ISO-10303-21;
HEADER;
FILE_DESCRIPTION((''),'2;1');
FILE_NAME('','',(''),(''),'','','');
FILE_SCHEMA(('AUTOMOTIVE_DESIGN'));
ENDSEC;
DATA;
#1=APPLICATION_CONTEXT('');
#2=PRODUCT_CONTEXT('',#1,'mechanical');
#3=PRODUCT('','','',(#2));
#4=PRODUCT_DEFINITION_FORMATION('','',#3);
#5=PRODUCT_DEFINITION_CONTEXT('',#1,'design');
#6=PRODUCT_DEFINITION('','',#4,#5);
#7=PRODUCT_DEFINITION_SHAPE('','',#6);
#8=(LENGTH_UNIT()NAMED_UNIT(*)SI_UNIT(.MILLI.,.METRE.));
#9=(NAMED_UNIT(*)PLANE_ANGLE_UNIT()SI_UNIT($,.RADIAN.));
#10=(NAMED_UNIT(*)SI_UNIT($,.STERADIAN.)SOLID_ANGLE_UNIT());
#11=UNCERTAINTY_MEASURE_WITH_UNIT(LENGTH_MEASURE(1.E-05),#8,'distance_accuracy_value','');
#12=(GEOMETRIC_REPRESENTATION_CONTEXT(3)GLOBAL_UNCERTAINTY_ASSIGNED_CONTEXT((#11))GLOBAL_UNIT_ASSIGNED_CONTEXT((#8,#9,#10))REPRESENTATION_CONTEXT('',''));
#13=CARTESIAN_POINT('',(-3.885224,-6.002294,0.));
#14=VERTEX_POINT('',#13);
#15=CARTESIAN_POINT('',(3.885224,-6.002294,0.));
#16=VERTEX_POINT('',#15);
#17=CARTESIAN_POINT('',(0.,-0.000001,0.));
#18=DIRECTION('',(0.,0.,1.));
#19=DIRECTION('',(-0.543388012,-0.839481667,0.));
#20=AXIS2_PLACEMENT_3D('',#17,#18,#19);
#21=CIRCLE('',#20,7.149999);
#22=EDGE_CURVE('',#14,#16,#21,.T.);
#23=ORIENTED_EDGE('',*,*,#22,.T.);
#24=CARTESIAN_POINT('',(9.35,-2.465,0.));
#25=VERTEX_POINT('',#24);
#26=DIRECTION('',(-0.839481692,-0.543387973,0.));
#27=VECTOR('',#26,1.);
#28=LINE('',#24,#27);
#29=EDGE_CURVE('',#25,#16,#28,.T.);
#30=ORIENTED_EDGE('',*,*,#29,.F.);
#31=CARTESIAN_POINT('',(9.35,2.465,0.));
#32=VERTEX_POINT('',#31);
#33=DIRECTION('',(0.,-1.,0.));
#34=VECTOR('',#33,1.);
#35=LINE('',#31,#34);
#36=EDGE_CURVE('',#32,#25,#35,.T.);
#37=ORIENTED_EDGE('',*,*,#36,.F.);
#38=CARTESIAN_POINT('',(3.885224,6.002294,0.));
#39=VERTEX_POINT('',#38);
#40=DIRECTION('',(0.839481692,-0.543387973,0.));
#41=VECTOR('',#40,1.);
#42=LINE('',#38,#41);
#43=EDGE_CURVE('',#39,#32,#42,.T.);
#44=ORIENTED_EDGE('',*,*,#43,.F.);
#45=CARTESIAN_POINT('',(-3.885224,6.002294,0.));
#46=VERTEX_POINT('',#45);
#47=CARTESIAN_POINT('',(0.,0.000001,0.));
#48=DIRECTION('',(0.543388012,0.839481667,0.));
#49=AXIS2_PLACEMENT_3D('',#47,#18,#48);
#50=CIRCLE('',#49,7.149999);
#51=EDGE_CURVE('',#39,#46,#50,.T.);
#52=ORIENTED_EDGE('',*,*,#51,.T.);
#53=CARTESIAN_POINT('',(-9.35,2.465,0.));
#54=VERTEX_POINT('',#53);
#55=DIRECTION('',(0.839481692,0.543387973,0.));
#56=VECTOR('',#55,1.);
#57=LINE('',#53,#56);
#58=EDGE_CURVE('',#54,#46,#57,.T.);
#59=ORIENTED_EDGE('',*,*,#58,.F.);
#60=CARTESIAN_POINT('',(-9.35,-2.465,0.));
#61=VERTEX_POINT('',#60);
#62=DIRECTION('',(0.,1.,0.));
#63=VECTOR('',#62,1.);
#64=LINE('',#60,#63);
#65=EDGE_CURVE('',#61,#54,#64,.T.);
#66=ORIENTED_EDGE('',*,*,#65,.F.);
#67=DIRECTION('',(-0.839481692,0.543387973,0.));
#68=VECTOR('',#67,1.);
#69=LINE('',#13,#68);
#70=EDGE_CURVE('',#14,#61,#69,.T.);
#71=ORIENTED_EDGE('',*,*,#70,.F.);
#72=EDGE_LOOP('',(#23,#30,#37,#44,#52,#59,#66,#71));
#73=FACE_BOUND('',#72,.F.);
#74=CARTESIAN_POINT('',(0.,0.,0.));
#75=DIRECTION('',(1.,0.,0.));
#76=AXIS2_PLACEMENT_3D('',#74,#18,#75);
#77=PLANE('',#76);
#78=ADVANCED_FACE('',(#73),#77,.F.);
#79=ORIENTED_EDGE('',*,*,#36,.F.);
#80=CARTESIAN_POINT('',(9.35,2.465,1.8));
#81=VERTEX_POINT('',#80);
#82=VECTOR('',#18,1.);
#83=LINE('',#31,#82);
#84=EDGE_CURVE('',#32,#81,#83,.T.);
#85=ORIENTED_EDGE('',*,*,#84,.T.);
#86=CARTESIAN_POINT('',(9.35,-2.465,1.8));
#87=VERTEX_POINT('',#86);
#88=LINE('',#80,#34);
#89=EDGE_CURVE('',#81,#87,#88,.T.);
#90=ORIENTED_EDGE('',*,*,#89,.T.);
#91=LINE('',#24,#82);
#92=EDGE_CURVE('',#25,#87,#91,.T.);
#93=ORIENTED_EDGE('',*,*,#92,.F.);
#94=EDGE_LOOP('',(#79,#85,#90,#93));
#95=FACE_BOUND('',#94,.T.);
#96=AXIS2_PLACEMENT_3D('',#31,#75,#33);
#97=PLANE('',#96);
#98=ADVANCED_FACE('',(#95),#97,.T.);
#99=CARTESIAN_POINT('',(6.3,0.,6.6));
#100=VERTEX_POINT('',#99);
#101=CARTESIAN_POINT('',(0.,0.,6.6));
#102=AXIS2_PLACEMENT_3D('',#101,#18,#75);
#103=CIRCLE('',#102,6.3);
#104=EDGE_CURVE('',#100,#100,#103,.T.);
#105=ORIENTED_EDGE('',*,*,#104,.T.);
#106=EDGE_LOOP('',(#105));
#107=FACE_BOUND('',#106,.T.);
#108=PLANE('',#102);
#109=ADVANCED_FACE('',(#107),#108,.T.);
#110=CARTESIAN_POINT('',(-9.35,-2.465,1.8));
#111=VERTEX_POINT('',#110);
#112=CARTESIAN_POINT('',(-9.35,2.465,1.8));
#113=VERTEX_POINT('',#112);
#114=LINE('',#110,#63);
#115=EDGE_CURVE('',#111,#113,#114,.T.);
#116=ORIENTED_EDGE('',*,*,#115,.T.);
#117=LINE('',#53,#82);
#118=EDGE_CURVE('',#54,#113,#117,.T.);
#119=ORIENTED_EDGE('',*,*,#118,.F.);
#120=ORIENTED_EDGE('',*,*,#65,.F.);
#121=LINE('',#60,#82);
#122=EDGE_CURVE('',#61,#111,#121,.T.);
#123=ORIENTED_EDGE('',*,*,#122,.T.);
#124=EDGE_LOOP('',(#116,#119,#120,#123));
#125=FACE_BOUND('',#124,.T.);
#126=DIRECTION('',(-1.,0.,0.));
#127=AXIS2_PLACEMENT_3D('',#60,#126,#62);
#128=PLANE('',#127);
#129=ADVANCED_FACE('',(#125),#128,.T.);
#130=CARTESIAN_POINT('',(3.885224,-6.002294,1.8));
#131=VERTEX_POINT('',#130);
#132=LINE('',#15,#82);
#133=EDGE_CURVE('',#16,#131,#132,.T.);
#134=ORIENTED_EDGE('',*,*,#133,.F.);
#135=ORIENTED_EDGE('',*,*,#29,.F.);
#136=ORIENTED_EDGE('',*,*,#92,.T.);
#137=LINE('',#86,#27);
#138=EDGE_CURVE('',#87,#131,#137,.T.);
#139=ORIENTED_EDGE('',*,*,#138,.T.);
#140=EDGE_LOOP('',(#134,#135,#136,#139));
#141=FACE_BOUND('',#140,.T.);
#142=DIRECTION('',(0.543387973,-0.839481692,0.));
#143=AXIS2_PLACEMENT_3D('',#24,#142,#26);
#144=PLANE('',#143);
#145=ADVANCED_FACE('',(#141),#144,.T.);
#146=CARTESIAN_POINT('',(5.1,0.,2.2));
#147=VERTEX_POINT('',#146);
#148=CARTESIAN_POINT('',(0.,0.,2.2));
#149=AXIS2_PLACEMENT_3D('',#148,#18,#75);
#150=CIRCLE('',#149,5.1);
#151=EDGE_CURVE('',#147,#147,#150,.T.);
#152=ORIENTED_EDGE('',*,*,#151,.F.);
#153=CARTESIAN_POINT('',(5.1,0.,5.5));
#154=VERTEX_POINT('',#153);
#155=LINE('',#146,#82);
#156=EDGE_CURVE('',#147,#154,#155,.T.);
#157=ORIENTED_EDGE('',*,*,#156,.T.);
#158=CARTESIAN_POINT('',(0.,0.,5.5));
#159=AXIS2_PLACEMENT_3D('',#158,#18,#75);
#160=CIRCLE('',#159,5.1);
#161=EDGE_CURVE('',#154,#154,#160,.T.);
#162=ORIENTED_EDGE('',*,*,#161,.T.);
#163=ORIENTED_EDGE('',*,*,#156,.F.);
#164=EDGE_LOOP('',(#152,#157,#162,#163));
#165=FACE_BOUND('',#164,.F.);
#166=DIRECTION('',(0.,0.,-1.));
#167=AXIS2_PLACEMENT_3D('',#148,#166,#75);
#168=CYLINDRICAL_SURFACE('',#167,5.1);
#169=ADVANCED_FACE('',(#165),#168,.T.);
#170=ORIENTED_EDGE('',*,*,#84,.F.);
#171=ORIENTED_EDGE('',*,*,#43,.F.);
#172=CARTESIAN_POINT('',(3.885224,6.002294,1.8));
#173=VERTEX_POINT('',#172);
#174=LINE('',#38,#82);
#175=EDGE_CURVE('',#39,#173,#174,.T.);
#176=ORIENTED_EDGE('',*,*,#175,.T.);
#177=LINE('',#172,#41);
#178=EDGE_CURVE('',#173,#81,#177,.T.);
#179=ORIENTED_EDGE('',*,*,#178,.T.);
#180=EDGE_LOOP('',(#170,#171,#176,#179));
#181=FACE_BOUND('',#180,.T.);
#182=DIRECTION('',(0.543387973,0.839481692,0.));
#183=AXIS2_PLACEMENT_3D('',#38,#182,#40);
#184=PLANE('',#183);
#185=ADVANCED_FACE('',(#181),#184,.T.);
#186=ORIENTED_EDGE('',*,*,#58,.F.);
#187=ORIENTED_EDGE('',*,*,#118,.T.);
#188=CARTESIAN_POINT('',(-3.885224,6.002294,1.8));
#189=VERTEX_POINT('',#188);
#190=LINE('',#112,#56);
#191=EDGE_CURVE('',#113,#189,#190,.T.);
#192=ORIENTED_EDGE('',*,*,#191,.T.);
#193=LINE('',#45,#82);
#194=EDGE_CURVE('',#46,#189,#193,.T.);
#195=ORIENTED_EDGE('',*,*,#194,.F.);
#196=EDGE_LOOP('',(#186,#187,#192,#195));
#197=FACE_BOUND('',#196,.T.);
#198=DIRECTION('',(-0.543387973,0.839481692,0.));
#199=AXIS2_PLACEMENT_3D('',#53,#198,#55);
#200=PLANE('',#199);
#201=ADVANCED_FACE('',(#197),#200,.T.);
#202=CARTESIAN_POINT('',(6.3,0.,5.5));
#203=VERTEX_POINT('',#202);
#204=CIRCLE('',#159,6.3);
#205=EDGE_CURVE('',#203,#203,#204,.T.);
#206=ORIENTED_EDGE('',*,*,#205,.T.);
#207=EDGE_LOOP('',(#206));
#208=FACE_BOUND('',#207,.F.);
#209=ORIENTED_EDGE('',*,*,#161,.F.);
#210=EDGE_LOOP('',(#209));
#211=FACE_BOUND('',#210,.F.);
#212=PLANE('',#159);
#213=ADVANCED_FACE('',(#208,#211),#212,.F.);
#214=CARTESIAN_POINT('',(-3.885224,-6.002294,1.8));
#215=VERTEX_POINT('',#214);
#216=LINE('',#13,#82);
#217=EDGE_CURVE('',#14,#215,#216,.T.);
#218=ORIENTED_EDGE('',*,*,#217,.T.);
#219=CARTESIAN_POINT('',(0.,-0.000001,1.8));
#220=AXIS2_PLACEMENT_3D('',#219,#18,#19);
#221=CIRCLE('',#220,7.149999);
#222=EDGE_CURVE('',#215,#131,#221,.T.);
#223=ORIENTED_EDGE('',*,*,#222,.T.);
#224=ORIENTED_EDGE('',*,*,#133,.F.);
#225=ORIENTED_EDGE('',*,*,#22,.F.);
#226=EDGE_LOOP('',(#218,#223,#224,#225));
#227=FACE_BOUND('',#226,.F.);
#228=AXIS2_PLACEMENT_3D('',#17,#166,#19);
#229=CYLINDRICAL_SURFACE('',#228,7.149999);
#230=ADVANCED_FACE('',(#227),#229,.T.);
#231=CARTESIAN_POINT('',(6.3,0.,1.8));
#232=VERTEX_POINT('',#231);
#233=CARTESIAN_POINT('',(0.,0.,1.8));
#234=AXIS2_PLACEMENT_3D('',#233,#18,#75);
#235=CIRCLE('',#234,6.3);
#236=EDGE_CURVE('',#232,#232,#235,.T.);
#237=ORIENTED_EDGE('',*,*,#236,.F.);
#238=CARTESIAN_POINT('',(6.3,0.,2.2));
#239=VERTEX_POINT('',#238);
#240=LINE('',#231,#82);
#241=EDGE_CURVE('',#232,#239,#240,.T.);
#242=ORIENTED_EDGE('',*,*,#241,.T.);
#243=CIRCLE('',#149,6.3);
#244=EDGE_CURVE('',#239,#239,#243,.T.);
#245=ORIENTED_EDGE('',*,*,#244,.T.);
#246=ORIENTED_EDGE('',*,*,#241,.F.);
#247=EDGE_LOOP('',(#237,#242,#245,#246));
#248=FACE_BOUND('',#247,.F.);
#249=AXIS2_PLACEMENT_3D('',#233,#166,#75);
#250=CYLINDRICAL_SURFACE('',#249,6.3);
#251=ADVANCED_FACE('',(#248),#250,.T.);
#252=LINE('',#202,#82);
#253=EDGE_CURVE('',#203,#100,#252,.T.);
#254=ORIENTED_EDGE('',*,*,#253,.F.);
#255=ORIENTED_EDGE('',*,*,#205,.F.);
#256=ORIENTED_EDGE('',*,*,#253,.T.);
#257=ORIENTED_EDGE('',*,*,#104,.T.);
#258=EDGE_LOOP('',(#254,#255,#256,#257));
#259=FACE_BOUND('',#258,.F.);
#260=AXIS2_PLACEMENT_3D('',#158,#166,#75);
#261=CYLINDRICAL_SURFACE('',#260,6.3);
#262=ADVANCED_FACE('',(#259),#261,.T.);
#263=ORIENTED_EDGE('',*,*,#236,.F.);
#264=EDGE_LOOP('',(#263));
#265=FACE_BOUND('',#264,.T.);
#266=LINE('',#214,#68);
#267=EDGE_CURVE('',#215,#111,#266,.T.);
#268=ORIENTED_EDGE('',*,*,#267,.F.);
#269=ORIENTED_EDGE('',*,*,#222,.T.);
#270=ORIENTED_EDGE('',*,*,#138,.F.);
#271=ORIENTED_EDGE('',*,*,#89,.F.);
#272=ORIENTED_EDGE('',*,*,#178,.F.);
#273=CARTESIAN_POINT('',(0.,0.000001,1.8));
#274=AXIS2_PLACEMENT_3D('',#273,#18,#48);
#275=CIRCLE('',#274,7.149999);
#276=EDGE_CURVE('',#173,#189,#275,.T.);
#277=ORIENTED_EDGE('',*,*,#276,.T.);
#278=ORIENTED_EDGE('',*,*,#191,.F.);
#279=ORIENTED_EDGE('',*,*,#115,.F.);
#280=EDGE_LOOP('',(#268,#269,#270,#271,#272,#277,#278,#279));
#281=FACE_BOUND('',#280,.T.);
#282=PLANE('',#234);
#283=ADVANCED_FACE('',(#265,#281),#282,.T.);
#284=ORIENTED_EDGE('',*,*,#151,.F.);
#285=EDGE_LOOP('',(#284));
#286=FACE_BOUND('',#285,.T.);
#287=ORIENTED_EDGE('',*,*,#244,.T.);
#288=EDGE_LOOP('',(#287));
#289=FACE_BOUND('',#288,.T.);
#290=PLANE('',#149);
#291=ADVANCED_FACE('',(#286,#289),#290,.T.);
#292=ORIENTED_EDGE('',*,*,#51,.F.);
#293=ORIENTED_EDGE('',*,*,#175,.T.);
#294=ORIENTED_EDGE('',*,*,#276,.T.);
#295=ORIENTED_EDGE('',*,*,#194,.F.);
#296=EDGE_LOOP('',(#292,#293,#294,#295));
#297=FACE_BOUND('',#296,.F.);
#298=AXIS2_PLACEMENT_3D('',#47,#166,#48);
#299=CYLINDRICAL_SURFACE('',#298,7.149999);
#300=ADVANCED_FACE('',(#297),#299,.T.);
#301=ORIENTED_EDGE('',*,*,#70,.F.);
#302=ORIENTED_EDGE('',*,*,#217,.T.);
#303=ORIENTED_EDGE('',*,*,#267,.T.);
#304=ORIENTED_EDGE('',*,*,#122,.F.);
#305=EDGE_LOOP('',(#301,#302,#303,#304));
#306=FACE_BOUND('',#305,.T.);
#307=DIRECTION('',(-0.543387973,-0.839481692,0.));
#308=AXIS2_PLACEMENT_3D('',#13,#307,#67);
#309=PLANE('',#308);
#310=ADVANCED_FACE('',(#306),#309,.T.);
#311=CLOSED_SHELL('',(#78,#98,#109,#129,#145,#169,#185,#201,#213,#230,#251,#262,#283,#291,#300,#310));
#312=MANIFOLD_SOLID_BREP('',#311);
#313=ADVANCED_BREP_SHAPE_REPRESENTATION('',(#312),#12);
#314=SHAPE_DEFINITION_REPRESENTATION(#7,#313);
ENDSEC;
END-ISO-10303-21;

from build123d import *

# Parameters (mm, degrees)
PAD_DEPTH    = 1.8
SKETCH001_R  = 6.3
PAD001_DEPTH = 0.4
SKETCH002_R  = 5.1
PAD002_DEPTH = 3.3
SKETCH003_R  = 6.3
PAD003_DEPTH = 1.1


with BuildPart() as part:
    # Sketch → Pad (new body)
    with BuildSketch(Plane.XY):
        with BuildLine():
            ThreePointArc((3.885224, 6.002294), (0, 7.15), (-3.885224, 6.002294))
            Line((-9.35, 2.465), (-3.885224, 6.002294))
            Line((-9.35, -2.465), (-9.35, 2.465))
            Line((-3.885224, -6.002294), (-9.35, -2.465))
            ThreePointArc((-3.885224, -6.002294), (0, -7.15), (3.885224, -6.002294))
            Line((9.35, -2.465), (3.885224, -6.002294))
            Line((9.35, 2.465), (9.35, -2.465))
            Line((3.885224, 6.002294), (9.35, 2.465))
        make_face()
    extrude(amount=PAD_DEPTH)

    # Sketch001 (on Face5 of Pad003) → Pad001 (join)
    with BuildSketch(Plane.XY.offset(1.8)):
        Circle(SKETCH001_R)
    extrude(amount=PAD001_DEPTH)

    # Sketch002 (on Face12 of Pad001) → Pad002 (join)
    with BuildSketch(Plane.XY.offset(2.2)):
        Circle(SKETCH002_R)
    extrude(amount=PAD002_DEPTH)

    # Sketch003 (on Face14 of Pad002) → Pad003 (join)
    with BuildSketch(Plane.XY.offset(5.5)):
        Circle(SKETCH003_R)
    extrude(amount=PAD003_DEPTH)


solid = part.part
